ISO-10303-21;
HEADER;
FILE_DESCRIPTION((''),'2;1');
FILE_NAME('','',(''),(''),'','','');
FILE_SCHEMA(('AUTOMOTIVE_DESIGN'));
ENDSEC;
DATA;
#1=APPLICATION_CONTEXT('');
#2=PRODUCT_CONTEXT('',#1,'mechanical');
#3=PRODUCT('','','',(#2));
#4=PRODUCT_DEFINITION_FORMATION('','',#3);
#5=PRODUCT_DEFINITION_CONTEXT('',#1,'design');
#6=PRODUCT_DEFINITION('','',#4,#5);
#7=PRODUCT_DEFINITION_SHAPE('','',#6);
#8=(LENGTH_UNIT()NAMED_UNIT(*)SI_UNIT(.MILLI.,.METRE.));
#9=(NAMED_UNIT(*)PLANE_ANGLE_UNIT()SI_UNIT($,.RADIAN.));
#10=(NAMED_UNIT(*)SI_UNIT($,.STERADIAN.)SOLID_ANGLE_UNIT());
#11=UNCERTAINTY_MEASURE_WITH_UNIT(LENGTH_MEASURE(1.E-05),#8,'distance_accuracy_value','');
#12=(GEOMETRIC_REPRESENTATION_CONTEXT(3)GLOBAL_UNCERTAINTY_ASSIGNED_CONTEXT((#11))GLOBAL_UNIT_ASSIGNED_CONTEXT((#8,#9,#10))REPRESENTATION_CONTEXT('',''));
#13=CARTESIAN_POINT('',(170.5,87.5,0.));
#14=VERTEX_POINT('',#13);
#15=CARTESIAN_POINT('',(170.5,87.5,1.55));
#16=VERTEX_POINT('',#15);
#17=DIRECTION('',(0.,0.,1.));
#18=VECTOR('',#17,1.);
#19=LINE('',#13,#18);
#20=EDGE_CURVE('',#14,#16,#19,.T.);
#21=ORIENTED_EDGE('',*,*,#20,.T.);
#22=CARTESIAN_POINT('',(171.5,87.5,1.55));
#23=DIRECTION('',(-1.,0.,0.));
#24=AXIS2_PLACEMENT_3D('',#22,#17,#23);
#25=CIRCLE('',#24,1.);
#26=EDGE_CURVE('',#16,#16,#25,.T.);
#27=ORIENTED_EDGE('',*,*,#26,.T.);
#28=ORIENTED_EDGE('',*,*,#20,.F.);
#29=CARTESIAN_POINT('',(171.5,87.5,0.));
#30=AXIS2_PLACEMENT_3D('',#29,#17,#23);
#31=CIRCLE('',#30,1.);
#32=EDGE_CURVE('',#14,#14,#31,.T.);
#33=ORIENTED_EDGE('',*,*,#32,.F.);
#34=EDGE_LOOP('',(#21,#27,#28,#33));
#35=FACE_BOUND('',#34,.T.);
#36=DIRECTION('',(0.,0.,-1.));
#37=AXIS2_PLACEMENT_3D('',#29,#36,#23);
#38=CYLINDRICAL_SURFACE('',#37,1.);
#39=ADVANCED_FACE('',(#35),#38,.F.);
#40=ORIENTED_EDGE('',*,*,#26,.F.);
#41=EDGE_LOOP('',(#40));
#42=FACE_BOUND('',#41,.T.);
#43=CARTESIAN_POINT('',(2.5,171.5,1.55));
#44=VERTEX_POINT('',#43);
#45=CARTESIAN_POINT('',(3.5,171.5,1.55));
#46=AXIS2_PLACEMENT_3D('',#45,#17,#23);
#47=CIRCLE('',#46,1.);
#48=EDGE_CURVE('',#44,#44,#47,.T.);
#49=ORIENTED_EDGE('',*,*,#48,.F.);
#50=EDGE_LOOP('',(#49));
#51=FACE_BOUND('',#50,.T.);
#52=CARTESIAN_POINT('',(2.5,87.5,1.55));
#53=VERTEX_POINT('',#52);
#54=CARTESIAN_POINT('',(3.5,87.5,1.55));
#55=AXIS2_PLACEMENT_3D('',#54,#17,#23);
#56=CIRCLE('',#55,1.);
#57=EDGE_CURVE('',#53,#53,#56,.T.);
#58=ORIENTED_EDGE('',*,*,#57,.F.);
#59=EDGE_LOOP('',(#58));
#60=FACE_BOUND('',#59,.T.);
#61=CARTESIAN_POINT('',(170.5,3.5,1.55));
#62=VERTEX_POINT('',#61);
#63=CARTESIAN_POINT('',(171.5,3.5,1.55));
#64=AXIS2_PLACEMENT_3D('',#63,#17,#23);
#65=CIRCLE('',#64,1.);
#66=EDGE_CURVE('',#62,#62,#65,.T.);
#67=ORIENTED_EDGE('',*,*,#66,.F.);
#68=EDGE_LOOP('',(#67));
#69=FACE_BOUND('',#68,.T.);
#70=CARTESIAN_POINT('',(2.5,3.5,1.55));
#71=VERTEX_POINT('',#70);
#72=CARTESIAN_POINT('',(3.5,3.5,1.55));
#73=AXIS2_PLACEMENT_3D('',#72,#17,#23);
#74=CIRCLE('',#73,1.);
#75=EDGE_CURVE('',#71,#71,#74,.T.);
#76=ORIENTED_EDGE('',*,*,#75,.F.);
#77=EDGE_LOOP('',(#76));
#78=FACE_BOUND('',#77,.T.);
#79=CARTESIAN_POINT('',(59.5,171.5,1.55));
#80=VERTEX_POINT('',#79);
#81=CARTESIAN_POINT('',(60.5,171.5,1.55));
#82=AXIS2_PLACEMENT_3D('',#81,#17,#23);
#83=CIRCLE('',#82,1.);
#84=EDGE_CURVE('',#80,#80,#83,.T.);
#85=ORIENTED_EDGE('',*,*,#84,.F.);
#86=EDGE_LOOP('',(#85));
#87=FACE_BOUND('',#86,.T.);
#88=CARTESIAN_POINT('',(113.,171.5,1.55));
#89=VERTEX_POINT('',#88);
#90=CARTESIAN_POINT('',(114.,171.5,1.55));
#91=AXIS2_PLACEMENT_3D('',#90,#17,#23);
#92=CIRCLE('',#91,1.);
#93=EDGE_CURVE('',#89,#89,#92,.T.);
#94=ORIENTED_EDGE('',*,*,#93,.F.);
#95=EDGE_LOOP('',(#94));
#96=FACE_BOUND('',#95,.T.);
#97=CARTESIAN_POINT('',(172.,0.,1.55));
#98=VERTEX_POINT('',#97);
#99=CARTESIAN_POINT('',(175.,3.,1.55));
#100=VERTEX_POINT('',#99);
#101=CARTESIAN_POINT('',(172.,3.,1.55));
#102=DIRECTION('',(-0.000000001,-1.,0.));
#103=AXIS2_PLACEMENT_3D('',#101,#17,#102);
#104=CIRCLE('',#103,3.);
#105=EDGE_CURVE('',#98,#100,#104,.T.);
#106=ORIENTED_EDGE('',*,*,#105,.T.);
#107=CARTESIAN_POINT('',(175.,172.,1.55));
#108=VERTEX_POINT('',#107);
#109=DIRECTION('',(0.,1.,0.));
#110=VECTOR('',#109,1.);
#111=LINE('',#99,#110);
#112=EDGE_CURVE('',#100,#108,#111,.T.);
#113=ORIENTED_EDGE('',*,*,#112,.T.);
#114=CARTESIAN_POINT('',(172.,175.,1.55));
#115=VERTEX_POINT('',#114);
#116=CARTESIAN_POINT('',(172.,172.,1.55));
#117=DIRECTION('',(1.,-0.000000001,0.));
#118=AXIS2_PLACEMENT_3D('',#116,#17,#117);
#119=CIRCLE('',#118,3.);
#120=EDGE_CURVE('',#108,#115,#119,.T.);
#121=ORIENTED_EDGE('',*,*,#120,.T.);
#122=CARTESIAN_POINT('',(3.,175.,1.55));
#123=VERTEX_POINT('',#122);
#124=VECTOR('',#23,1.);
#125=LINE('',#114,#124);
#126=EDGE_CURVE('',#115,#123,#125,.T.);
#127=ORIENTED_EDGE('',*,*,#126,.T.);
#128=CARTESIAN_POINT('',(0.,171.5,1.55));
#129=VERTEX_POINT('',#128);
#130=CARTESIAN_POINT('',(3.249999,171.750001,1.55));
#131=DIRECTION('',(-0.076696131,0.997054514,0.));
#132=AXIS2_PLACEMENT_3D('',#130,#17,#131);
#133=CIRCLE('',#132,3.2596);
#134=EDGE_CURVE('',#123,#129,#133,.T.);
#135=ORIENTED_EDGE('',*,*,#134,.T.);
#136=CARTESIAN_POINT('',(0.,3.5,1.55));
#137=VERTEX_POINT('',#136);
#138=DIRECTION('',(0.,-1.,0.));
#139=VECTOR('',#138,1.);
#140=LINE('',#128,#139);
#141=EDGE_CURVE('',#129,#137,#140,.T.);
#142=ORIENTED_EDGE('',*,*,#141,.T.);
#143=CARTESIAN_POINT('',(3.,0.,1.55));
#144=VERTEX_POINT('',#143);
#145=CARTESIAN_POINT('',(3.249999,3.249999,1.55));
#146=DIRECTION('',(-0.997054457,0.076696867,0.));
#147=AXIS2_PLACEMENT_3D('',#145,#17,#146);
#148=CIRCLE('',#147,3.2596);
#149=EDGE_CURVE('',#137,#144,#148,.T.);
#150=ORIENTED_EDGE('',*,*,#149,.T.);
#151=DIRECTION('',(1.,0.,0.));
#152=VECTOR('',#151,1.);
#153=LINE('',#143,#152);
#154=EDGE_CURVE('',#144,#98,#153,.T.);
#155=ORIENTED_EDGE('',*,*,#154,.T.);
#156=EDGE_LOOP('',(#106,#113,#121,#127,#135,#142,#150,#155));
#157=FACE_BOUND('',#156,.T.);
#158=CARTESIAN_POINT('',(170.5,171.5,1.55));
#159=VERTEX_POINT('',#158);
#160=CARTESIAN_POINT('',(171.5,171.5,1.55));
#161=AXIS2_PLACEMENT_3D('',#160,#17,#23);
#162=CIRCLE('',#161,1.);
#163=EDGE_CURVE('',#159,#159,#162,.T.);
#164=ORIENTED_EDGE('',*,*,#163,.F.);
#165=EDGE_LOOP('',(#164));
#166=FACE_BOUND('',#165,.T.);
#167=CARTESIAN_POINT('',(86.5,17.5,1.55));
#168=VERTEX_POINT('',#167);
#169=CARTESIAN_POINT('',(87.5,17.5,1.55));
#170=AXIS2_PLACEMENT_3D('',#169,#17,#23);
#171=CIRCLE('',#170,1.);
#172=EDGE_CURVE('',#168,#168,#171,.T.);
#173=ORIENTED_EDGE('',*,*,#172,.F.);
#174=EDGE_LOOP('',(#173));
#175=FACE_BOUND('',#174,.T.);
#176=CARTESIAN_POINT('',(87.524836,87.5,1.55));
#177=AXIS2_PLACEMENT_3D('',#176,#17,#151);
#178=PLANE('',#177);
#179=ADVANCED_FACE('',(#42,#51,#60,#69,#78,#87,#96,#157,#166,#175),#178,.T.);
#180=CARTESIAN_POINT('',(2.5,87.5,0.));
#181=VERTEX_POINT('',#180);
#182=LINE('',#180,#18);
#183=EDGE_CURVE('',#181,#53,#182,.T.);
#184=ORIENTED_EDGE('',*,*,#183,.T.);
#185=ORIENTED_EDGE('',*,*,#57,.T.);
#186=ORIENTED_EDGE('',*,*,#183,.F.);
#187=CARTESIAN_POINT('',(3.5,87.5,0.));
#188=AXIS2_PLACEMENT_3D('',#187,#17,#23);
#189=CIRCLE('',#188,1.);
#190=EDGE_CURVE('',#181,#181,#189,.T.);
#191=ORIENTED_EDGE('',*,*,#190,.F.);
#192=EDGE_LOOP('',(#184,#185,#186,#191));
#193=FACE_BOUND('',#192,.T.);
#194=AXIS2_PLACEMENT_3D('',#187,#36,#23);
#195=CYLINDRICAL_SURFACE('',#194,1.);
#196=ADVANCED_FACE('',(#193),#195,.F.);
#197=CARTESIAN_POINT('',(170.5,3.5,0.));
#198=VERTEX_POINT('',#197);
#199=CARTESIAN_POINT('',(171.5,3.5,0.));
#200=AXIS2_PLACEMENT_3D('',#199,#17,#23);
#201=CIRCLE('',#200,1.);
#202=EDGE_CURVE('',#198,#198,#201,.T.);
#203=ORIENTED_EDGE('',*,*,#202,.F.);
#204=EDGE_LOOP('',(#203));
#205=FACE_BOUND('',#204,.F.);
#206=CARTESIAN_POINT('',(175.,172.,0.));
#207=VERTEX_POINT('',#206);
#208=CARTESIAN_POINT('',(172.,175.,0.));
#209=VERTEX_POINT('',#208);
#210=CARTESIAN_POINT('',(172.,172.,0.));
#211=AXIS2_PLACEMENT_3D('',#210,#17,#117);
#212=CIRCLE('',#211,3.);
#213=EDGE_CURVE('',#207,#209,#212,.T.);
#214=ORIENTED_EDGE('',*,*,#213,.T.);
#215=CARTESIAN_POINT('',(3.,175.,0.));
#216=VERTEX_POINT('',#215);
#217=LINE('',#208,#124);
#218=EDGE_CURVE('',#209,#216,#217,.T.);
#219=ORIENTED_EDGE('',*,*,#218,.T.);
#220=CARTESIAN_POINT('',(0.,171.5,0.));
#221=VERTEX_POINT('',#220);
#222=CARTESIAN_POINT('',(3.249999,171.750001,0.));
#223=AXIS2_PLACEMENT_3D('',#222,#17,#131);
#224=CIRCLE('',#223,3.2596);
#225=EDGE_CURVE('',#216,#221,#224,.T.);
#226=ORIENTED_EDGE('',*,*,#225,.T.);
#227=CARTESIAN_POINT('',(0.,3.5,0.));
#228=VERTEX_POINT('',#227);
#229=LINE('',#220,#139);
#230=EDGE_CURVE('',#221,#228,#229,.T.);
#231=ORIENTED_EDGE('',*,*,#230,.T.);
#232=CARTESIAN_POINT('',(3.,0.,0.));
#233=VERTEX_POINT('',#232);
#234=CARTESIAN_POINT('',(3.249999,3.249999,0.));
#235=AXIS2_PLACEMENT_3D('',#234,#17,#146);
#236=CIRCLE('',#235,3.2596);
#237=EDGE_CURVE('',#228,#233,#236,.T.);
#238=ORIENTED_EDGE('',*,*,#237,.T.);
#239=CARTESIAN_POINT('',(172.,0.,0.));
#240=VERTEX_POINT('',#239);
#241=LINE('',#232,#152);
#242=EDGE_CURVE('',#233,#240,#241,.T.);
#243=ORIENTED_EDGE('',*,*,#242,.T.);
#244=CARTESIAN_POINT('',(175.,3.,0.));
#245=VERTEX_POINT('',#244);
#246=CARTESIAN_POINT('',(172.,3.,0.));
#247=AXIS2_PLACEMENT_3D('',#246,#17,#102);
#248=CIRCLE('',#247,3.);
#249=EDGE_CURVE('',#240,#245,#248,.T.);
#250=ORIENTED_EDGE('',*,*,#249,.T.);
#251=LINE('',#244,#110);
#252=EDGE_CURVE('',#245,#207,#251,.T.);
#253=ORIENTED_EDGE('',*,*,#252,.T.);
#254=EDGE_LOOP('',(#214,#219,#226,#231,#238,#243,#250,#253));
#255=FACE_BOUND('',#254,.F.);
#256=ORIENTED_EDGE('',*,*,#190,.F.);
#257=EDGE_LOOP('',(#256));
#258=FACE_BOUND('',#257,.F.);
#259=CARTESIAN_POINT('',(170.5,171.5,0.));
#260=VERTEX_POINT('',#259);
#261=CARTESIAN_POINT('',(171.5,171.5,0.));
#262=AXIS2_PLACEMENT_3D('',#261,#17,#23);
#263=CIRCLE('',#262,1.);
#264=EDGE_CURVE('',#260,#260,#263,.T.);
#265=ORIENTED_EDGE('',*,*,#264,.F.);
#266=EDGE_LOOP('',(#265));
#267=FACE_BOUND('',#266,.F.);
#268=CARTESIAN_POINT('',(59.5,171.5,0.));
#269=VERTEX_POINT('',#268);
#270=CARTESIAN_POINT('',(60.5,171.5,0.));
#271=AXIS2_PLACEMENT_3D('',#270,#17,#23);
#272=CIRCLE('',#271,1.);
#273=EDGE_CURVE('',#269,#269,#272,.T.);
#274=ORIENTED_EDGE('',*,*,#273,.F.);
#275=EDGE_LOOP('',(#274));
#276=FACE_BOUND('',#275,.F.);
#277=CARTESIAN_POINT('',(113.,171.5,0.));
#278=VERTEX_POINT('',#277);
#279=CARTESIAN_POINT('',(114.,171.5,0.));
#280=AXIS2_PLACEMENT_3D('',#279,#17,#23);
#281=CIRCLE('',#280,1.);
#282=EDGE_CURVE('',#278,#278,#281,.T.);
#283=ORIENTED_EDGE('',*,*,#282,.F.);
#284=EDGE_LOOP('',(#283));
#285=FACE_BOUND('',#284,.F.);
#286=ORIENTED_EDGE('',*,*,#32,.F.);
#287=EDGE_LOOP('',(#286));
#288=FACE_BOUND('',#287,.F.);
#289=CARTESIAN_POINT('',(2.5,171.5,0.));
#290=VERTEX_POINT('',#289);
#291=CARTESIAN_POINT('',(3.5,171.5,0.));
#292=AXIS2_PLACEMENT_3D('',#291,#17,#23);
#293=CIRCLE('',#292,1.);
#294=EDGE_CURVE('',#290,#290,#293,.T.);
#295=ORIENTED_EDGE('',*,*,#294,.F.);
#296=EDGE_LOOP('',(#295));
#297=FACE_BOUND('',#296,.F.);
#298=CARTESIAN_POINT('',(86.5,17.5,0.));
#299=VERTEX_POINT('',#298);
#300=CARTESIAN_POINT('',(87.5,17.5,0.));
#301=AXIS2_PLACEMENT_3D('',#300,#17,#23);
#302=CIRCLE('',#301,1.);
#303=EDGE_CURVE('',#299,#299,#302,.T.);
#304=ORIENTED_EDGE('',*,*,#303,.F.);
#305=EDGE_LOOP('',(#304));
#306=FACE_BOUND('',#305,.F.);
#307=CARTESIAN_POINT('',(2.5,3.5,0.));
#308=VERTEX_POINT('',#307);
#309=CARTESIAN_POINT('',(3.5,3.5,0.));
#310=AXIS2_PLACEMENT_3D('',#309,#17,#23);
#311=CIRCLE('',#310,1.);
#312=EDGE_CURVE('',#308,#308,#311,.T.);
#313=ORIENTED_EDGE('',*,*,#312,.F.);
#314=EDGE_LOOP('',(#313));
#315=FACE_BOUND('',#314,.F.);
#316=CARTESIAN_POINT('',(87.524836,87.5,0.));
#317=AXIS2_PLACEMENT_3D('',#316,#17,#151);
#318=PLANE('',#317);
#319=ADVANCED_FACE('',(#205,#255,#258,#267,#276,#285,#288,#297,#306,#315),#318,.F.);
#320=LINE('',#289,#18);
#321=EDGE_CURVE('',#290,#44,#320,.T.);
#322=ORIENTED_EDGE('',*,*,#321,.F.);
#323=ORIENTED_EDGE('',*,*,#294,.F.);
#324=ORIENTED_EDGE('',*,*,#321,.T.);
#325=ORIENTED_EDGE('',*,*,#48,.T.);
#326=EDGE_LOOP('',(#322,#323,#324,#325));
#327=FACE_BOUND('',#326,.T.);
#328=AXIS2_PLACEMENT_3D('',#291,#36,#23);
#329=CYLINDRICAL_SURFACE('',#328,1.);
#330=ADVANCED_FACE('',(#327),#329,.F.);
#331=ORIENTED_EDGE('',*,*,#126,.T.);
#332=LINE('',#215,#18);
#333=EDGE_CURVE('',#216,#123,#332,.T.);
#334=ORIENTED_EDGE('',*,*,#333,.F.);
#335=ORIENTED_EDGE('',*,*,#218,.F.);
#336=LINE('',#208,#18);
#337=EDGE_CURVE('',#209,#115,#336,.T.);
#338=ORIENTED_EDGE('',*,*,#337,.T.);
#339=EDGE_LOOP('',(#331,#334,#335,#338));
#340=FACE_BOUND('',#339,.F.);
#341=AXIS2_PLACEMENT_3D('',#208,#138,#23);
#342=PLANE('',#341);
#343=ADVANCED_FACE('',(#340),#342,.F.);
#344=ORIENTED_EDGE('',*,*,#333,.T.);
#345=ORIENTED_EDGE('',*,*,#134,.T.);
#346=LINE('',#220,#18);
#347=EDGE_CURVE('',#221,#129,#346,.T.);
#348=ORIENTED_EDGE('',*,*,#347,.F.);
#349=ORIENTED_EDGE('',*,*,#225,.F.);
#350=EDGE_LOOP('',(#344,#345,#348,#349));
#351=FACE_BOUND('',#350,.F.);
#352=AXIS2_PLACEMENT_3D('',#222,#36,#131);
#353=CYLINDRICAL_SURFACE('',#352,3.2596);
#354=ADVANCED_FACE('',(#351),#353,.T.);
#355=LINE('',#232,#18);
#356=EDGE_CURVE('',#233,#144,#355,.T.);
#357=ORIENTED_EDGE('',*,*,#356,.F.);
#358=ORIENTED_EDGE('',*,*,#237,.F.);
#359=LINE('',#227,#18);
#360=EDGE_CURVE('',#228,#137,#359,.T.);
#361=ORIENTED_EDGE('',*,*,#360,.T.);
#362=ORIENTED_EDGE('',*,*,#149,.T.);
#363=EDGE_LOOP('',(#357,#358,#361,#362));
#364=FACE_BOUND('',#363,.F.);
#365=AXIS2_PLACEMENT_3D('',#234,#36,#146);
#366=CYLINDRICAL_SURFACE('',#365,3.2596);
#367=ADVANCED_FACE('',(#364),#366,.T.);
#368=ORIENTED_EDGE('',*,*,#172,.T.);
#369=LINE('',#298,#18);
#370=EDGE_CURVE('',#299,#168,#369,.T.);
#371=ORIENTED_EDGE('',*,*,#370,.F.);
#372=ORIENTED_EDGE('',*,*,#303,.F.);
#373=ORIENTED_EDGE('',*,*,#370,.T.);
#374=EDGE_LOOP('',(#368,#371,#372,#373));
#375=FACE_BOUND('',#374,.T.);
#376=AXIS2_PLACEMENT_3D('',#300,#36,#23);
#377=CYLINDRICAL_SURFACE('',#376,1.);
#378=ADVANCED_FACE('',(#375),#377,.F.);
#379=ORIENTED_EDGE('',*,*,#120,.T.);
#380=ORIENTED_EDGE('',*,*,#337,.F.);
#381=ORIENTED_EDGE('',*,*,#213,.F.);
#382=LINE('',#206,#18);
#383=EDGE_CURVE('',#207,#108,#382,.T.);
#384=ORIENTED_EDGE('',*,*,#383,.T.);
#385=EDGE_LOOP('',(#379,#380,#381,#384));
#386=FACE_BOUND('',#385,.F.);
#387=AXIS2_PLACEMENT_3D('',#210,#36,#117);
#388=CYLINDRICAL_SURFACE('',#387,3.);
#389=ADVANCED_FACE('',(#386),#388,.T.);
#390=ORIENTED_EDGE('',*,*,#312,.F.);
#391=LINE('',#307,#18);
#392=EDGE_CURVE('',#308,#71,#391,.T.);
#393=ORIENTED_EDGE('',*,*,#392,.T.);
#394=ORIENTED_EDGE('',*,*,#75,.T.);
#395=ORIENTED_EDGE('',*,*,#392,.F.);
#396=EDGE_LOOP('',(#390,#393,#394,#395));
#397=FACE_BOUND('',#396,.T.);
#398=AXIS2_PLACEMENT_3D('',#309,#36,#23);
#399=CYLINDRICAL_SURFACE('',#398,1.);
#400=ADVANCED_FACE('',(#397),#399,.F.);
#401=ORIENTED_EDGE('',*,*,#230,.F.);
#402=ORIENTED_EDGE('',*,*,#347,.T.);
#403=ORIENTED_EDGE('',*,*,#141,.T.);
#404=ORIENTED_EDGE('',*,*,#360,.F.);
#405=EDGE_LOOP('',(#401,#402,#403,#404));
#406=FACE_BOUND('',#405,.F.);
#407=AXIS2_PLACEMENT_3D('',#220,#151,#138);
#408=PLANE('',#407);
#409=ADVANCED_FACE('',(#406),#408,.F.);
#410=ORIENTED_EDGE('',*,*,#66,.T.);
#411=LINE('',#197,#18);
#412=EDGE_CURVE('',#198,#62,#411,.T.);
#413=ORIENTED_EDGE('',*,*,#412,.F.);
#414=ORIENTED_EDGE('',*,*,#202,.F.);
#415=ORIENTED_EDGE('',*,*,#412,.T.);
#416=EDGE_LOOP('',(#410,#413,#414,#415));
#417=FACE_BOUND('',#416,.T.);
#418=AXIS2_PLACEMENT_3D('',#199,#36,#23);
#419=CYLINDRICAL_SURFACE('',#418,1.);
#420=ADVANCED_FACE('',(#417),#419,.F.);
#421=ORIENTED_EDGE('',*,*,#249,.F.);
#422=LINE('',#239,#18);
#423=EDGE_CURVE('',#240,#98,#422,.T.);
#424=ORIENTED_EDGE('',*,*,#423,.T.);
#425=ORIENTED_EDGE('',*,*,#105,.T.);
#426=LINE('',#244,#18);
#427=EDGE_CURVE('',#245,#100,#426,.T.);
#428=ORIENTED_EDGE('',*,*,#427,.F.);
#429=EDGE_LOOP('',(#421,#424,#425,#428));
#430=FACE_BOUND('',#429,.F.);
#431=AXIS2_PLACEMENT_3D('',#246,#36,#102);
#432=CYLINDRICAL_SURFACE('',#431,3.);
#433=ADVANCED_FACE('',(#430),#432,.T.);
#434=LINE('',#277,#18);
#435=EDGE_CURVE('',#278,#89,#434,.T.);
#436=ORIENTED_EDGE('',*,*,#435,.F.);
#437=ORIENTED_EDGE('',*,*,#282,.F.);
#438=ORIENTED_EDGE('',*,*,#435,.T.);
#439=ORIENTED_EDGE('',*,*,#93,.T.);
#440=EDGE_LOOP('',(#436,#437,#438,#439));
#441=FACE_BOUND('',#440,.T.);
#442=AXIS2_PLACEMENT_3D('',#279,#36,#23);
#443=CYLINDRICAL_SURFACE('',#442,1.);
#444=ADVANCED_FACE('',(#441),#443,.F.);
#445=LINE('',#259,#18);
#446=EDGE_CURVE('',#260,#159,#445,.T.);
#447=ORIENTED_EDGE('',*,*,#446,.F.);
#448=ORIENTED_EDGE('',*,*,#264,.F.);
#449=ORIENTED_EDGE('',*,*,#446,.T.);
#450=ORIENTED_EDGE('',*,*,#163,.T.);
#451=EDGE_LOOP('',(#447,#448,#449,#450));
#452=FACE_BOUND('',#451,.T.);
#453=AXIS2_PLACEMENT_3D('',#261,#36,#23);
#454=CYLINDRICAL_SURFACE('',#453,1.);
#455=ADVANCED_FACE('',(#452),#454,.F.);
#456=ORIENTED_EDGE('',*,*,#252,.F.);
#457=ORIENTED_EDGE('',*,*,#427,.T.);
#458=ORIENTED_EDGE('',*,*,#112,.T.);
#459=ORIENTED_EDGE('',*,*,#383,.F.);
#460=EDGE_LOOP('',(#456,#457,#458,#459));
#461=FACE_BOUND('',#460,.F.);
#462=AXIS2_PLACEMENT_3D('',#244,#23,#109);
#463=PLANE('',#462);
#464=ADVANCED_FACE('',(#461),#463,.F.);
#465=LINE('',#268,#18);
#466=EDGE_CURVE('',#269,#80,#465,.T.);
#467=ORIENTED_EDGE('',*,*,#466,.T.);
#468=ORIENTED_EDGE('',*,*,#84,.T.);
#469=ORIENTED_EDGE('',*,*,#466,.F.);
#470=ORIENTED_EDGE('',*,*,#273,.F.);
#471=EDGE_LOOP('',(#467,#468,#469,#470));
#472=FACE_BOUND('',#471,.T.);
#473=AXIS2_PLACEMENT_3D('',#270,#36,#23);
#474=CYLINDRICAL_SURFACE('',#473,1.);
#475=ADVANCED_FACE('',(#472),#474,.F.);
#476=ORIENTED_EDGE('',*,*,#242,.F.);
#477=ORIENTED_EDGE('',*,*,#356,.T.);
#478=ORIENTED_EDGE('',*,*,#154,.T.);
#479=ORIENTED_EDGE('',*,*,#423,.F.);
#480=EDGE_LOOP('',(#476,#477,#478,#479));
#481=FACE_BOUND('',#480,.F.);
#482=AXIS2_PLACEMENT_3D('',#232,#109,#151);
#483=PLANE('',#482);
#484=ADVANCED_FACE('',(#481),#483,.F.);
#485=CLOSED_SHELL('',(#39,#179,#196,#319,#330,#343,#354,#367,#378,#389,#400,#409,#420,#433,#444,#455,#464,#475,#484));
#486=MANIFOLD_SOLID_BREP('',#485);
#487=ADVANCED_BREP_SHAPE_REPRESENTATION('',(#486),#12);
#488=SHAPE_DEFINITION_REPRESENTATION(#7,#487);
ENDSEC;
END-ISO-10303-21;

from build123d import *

# Parameters (mm, degrees)
MODEL_R             = 1
BOSS_EXTRUDE1_DEPTH = 1.55


with BuildPart() as part:
    # Model → Boss-Extrude1 (new body)
    with BuildSketch(Plane.XY):
        with BuildLine():
            Line((3, 0), (172, 0))
            ThreePointArc((172, 0), (174.121320344, 0.878679656), (175, 3))
            Line((175, 3), (175, 172))
            ThreePointArc((175, 172), (174.121320344, 174.121320344), (172, 175))
            Line((172, 175), (3, 175))
            ThreePointArc((3, 175), (0.775125888, 173.871320668), (0, 171.5))
            Line((0, 171.5), (0, 3.5))
            ThreePointArc((0, 3.5), (0.775125888, 1.128679332), (3, 0))
        make_face()
        with Locations(Location((3.5, 3.5, 0), (0, 0, 180))):
            Circle(MODEL_R, mode=Mode.SUBTRACT)
        with Locations(Location((87.5, 17.5, 0), (0, 0, 180))):
            Circle(MODEL_R, mode=Mode.SUBTRACT)
        with Locations(Location((171.5, 3.5, 0), (0, 0, 180))):
            Circle(MODEL_R, mode=Mode.SUBTRACT)
        with Locations(Location((171.5, 87.5, 0), (0, 0, 180))):
            Circle(MODEL_R, mode=Mode.SUBTRACT)
        with Locations(Location((3.5, 87.5, 0), (0, 0, 180))):
            Circle(MODEL_R, mode=Mode.SUBTRACT)
        with Locations(Location((171.5, 171.5, 0), (0, 0, 180))):
            Circle(MODEL_R, mode=Mode.SUBTRACT)
        with Locations(Location((60.5, 171.5, 0), (0, 0, 180))):
            Circle(MODEL_R, mode=Mode.SUBTRACT)
        with Locations(Location((3.5, 171.5, 0), (0, 0, 180))):
            Circle(MODEL_R, mode=Mode.SUBTRACT)
        with Locations(Location((114, 171.5, 0), (0, 0, 180))):
            Circle(MODEL_R, mode=Mode.SUBTRACT)
    extrude(amount=BOSS_EXTRUDE1_DEPTH)


solid = part.part
